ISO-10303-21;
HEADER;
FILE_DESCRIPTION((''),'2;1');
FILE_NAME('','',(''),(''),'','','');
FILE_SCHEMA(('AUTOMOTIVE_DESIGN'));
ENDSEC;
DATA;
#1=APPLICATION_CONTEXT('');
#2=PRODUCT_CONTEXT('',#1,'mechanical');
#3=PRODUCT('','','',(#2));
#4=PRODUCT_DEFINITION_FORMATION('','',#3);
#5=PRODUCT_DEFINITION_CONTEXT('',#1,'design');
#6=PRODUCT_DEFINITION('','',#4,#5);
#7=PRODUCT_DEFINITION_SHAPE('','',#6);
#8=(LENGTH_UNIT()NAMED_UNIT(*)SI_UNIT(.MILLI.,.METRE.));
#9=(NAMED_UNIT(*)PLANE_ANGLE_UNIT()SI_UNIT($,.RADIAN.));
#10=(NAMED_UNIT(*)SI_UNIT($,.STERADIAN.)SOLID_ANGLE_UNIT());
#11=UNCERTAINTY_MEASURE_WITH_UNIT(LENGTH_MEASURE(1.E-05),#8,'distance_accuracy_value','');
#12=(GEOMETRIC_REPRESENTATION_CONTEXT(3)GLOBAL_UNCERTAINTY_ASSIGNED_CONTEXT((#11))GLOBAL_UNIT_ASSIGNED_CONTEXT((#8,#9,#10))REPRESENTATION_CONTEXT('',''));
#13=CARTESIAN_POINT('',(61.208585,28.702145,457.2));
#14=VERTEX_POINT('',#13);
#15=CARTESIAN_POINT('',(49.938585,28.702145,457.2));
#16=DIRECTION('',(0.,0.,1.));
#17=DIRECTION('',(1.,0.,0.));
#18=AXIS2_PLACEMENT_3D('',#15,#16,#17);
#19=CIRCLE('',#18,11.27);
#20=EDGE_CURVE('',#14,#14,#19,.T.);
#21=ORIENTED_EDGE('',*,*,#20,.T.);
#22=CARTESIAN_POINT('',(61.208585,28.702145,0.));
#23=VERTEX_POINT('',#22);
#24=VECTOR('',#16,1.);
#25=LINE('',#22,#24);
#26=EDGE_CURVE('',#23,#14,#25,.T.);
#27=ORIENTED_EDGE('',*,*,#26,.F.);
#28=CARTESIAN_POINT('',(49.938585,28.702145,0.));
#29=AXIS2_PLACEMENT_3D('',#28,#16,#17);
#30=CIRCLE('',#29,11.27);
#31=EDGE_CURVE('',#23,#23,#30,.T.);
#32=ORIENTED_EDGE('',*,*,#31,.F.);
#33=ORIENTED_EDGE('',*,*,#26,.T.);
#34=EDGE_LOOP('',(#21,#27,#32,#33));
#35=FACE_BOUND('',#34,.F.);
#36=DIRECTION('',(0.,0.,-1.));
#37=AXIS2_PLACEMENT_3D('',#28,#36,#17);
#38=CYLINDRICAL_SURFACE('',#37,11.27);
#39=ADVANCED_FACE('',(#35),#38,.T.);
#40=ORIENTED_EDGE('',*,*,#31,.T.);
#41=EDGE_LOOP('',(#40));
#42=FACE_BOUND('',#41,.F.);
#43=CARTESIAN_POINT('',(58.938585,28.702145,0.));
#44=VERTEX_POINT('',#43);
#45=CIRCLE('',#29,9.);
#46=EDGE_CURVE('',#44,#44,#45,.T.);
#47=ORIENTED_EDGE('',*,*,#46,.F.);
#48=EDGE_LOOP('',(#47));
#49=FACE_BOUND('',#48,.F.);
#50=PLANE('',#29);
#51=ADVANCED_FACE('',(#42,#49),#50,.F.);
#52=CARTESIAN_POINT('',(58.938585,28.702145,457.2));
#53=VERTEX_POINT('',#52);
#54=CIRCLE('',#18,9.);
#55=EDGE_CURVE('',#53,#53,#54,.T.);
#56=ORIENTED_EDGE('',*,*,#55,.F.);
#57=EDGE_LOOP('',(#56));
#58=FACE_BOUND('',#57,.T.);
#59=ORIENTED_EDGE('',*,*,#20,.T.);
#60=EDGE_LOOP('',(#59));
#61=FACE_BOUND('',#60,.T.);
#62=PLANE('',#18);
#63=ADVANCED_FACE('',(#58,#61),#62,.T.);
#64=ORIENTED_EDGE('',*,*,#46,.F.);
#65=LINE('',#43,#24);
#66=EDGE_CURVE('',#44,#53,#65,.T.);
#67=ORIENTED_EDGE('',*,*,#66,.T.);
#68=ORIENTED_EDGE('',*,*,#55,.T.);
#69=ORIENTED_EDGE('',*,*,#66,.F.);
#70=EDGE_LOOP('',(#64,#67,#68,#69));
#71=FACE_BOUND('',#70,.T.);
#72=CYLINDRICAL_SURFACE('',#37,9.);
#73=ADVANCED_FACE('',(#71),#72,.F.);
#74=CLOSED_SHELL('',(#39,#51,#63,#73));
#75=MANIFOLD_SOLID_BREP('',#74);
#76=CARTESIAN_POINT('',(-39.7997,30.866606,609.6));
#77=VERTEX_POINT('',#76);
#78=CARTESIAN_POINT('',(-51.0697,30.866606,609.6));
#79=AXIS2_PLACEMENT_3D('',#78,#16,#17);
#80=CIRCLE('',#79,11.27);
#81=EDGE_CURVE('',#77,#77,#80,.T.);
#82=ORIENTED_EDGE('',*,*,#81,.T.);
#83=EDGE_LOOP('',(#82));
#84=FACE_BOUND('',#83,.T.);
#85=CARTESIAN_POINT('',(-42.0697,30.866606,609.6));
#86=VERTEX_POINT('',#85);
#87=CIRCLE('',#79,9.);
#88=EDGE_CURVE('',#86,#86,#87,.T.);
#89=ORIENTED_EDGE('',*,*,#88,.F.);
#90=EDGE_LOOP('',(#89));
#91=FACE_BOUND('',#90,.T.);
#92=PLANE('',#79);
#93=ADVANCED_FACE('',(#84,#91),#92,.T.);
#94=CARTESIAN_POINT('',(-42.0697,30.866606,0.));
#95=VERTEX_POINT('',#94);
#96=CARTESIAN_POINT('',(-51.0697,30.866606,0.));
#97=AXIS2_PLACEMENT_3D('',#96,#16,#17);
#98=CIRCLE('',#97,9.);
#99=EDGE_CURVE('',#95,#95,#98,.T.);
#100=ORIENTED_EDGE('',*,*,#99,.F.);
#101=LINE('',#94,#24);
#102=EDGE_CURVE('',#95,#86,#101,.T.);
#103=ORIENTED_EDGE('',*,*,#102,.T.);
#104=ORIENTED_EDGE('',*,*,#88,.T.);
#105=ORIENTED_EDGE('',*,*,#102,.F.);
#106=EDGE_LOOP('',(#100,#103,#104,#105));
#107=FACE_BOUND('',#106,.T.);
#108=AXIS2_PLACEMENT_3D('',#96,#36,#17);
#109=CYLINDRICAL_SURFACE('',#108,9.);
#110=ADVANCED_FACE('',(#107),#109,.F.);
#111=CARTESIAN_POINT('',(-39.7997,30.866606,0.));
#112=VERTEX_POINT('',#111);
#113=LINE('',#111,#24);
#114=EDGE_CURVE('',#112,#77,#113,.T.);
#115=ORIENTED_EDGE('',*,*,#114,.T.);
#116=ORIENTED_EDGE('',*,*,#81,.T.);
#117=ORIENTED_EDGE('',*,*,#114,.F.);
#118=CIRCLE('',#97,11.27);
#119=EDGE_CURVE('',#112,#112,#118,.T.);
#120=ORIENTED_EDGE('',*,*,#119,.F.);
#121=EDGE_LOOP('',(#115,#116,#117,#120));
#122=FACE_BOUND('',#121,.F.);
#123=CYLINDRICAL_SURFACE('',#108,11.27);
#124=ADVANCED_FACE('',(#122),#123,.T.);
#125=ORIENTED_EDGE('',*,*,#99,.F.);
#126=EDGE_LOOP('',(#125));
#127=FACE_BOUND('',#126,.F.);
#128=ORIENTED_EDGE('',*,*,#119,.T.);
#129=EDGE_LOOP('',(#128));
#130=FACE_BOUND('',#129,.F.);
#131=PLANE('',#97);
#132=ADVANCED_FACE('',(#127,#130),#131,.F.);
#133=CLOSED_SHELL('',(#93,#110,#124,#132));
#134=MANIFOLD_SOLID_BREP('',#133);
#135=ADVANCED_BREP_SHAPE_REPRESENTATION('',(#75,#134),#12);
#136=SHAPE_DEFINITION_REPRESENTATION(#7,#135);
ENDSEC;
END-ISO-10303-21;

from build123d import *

# Parameters (mm, degrees)
F0_R     = 11.27
F0_R_2   = 9
F1_DEPTH = 609.6
F2_DEPTH = 457.2


with BuildPart() as f1:
    # F0 (on Top) → F1 (new body)
    with BuildSketch(Plane.XY):
        with Locations((-51.0697, 30.866606)):
            Circle(F0_R)
        with Locations((-51.0697, 30.866606)):
            Circle(F0_R_2, mode=Mode.SUBTRACT)
    extrude(amount=F1_DEPTH)


with BuildPart() as f2:
    # F0 (on Top) → F2 (new body)
    with BuildSketch(Plane.XY):
        with Locations((49.938585, 28.702145)):
            Circle(F0_R)
        with Locations((49.938585, 28.702145)):
            Circle(F0_R_2, mode=Mode.SUBTRACT)
    extrude(amount=F2_DEPTH)


solid = Compound([f1.part, f2.part])
